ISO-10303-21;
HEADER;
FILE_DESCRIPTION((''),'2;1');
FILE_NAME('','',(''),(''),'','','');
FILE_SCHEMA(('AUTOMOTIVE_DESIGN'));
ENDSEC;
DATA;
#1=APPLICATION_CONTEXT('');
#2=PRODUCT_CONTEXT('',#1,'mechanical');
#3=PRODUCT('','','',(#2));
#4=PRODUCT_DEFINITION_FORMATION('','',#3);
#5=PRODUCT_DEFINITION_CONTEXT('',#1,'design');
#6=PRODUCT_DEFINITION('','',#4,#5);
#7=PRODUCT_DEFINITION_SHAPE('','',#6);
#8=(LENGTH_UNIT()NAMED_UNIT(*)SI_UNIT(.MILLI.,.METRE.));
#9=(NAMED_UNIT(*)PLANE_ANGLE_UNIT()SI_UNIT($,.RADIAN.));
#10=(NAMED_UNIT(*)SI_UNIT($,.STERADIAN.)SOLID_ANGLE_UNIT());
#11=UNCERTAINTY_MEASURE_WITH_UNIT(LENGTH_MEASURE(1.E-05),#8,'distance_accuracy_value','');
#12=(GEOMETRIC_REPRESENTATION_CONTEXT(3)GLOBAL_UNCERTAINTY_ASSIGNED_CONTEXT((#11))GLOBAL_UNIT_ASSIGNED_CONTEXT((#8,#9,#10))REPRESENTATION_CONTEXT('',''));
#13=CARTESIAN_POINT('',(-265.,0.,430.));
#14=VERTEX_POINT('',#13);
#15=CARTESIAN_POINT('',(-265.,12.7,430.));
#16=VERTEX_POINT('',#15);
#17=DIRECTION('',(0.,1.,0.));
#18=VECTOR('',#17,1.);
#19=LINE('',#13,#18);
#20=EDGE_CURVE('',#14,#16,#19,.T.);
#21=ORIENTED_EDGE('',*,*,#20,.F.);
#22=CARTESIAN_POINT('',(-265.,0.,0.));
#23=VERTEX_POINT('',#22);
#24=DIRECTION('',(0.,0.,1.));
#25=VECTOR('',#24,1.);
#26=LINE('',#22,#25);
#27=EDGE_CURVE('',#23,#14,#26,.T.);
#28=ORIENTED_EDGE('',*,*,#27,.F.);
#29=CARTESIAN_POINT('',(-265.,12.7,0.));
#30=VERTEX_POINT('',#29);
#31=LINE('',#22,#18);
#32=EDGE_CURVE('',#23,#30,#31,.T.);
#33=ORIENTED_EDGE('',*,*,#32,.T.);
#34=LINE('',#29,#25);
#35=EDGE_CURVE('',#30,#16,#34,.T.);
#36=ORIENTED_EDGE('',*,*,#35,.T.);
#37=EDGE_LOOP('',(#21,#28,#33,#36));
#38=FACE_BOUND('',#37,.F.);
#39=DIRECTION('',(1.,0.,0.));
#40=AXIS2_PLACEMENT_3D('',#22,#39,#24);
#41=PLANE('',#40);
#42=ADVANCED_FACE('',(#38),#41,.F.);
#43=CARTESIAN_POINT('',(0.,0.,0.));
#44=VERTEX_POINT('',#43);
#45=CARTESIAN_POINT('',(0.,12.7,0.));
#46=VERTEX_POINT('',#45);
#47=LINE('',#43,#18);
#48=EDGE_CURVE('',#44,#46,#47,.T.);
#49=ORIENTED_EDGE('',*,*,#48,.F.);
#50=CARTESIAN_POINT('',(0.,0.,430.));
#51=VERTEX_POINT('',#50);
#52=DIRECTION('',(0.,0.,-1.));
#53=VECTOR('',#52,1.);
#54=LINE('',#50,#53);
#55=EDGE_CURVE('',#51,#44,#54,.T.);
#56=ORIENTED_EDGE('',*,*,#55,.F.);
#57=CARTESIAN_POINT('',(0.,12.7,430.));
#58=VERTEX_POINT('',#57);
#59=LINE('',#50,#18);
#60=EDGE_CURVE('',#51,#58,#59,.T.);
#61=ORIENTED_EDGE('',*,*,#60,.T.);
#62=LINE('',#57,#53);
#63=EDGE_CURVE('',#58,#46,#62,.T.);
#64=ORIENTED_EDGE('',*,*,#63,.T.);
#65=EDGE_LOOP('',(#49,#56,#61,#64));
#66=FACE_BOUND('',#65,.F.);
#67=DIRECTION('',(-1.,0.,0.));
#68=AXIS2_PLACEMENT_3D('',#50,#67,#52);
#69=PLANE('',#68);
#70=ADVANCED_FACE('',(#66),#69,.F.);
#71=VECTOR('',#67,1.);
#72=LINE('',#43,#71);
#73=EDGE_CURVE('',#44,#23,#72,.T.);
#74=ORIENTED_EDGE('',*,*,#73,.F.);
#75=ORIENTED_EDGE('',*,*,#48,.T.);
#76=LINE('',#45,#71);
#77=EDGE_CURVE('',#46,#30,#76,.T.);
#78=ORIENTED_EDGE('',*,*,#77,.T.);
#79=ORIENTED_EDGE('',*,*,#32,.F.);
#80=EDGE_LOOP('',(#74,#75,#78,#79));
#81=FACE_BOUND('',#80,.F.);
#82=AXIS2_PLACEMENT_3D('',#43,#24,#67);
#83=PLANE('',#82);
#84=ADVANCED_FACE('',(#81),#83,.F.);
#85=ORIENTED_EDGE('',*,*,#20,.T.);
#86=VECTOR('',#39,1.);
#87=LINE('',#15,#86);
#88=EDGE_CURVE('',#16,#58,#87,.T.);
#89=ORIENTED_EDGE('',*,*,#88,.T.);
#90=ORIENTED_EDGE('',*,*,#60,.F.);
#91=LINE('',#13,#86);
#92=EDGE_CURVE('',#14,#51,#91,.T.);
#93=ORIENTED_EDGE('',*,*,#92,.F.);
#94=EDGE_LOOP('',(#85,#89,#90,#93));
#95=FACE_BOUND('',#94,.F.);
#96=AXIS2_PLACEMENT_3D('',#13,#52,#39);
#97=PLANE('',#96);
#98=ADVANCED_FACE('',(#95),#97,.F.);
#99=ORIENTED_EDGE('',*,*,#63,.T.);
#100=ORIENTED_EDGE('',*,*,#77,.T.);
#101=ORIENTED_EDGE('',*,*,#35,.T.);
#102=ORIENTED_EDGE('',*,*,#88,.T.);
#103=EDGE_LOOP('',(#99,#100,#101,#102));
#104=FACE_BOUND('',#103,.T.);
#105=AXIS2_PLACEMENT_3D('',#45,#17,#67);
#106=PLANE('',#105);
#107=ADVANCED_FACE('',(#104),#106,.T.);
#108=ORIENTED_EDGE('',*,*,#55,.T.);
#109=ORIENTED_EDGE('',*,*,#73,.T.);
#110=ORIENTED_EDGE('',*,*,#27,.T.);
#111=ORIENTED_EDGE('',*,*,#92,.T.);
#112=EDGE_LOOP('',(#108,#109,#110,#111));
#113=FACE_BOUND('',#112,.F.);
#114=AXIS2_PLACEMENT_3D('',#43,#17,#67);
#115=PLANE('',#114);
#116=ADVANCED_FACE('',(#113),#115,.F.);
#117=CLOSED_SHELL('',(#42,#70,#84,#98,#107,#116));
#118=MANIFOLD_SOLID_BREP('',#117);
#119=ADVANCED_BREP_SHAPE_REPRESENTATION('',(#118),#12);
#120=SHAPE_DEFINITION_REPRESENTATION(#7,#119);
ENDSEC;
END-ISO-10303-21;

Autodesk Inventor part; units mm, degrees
ref_plane "YZ Plane" through (0, 0, 0) normal (1, 0, 0) x (0, 1, 0)
ref_plane "XZ Plane" through (0, 0, 0) normal (0, 1, 0) x (-1, 0, 0)
ref_plane "XY Plane" through (0, 0, 0) normal (0, 0, 1) x (1, 0, 0)
sketch "Sketch1" plane through (0, 0, 0) normal (0, 1, 0) x (-1, 0, 0)
  line L0 (0, 0) -> (265, 0)
  line L1 (265, 0) -> (265, 430)
  line L2 (265, 430) -> (0, 430)
  line L3 (0, 430) -> (0, 0)
  dimension "d1" = 265
  dimension "d2" = 430
extrude "Extrusion1" add sketch "Sketch1" along normal blind 12.7
